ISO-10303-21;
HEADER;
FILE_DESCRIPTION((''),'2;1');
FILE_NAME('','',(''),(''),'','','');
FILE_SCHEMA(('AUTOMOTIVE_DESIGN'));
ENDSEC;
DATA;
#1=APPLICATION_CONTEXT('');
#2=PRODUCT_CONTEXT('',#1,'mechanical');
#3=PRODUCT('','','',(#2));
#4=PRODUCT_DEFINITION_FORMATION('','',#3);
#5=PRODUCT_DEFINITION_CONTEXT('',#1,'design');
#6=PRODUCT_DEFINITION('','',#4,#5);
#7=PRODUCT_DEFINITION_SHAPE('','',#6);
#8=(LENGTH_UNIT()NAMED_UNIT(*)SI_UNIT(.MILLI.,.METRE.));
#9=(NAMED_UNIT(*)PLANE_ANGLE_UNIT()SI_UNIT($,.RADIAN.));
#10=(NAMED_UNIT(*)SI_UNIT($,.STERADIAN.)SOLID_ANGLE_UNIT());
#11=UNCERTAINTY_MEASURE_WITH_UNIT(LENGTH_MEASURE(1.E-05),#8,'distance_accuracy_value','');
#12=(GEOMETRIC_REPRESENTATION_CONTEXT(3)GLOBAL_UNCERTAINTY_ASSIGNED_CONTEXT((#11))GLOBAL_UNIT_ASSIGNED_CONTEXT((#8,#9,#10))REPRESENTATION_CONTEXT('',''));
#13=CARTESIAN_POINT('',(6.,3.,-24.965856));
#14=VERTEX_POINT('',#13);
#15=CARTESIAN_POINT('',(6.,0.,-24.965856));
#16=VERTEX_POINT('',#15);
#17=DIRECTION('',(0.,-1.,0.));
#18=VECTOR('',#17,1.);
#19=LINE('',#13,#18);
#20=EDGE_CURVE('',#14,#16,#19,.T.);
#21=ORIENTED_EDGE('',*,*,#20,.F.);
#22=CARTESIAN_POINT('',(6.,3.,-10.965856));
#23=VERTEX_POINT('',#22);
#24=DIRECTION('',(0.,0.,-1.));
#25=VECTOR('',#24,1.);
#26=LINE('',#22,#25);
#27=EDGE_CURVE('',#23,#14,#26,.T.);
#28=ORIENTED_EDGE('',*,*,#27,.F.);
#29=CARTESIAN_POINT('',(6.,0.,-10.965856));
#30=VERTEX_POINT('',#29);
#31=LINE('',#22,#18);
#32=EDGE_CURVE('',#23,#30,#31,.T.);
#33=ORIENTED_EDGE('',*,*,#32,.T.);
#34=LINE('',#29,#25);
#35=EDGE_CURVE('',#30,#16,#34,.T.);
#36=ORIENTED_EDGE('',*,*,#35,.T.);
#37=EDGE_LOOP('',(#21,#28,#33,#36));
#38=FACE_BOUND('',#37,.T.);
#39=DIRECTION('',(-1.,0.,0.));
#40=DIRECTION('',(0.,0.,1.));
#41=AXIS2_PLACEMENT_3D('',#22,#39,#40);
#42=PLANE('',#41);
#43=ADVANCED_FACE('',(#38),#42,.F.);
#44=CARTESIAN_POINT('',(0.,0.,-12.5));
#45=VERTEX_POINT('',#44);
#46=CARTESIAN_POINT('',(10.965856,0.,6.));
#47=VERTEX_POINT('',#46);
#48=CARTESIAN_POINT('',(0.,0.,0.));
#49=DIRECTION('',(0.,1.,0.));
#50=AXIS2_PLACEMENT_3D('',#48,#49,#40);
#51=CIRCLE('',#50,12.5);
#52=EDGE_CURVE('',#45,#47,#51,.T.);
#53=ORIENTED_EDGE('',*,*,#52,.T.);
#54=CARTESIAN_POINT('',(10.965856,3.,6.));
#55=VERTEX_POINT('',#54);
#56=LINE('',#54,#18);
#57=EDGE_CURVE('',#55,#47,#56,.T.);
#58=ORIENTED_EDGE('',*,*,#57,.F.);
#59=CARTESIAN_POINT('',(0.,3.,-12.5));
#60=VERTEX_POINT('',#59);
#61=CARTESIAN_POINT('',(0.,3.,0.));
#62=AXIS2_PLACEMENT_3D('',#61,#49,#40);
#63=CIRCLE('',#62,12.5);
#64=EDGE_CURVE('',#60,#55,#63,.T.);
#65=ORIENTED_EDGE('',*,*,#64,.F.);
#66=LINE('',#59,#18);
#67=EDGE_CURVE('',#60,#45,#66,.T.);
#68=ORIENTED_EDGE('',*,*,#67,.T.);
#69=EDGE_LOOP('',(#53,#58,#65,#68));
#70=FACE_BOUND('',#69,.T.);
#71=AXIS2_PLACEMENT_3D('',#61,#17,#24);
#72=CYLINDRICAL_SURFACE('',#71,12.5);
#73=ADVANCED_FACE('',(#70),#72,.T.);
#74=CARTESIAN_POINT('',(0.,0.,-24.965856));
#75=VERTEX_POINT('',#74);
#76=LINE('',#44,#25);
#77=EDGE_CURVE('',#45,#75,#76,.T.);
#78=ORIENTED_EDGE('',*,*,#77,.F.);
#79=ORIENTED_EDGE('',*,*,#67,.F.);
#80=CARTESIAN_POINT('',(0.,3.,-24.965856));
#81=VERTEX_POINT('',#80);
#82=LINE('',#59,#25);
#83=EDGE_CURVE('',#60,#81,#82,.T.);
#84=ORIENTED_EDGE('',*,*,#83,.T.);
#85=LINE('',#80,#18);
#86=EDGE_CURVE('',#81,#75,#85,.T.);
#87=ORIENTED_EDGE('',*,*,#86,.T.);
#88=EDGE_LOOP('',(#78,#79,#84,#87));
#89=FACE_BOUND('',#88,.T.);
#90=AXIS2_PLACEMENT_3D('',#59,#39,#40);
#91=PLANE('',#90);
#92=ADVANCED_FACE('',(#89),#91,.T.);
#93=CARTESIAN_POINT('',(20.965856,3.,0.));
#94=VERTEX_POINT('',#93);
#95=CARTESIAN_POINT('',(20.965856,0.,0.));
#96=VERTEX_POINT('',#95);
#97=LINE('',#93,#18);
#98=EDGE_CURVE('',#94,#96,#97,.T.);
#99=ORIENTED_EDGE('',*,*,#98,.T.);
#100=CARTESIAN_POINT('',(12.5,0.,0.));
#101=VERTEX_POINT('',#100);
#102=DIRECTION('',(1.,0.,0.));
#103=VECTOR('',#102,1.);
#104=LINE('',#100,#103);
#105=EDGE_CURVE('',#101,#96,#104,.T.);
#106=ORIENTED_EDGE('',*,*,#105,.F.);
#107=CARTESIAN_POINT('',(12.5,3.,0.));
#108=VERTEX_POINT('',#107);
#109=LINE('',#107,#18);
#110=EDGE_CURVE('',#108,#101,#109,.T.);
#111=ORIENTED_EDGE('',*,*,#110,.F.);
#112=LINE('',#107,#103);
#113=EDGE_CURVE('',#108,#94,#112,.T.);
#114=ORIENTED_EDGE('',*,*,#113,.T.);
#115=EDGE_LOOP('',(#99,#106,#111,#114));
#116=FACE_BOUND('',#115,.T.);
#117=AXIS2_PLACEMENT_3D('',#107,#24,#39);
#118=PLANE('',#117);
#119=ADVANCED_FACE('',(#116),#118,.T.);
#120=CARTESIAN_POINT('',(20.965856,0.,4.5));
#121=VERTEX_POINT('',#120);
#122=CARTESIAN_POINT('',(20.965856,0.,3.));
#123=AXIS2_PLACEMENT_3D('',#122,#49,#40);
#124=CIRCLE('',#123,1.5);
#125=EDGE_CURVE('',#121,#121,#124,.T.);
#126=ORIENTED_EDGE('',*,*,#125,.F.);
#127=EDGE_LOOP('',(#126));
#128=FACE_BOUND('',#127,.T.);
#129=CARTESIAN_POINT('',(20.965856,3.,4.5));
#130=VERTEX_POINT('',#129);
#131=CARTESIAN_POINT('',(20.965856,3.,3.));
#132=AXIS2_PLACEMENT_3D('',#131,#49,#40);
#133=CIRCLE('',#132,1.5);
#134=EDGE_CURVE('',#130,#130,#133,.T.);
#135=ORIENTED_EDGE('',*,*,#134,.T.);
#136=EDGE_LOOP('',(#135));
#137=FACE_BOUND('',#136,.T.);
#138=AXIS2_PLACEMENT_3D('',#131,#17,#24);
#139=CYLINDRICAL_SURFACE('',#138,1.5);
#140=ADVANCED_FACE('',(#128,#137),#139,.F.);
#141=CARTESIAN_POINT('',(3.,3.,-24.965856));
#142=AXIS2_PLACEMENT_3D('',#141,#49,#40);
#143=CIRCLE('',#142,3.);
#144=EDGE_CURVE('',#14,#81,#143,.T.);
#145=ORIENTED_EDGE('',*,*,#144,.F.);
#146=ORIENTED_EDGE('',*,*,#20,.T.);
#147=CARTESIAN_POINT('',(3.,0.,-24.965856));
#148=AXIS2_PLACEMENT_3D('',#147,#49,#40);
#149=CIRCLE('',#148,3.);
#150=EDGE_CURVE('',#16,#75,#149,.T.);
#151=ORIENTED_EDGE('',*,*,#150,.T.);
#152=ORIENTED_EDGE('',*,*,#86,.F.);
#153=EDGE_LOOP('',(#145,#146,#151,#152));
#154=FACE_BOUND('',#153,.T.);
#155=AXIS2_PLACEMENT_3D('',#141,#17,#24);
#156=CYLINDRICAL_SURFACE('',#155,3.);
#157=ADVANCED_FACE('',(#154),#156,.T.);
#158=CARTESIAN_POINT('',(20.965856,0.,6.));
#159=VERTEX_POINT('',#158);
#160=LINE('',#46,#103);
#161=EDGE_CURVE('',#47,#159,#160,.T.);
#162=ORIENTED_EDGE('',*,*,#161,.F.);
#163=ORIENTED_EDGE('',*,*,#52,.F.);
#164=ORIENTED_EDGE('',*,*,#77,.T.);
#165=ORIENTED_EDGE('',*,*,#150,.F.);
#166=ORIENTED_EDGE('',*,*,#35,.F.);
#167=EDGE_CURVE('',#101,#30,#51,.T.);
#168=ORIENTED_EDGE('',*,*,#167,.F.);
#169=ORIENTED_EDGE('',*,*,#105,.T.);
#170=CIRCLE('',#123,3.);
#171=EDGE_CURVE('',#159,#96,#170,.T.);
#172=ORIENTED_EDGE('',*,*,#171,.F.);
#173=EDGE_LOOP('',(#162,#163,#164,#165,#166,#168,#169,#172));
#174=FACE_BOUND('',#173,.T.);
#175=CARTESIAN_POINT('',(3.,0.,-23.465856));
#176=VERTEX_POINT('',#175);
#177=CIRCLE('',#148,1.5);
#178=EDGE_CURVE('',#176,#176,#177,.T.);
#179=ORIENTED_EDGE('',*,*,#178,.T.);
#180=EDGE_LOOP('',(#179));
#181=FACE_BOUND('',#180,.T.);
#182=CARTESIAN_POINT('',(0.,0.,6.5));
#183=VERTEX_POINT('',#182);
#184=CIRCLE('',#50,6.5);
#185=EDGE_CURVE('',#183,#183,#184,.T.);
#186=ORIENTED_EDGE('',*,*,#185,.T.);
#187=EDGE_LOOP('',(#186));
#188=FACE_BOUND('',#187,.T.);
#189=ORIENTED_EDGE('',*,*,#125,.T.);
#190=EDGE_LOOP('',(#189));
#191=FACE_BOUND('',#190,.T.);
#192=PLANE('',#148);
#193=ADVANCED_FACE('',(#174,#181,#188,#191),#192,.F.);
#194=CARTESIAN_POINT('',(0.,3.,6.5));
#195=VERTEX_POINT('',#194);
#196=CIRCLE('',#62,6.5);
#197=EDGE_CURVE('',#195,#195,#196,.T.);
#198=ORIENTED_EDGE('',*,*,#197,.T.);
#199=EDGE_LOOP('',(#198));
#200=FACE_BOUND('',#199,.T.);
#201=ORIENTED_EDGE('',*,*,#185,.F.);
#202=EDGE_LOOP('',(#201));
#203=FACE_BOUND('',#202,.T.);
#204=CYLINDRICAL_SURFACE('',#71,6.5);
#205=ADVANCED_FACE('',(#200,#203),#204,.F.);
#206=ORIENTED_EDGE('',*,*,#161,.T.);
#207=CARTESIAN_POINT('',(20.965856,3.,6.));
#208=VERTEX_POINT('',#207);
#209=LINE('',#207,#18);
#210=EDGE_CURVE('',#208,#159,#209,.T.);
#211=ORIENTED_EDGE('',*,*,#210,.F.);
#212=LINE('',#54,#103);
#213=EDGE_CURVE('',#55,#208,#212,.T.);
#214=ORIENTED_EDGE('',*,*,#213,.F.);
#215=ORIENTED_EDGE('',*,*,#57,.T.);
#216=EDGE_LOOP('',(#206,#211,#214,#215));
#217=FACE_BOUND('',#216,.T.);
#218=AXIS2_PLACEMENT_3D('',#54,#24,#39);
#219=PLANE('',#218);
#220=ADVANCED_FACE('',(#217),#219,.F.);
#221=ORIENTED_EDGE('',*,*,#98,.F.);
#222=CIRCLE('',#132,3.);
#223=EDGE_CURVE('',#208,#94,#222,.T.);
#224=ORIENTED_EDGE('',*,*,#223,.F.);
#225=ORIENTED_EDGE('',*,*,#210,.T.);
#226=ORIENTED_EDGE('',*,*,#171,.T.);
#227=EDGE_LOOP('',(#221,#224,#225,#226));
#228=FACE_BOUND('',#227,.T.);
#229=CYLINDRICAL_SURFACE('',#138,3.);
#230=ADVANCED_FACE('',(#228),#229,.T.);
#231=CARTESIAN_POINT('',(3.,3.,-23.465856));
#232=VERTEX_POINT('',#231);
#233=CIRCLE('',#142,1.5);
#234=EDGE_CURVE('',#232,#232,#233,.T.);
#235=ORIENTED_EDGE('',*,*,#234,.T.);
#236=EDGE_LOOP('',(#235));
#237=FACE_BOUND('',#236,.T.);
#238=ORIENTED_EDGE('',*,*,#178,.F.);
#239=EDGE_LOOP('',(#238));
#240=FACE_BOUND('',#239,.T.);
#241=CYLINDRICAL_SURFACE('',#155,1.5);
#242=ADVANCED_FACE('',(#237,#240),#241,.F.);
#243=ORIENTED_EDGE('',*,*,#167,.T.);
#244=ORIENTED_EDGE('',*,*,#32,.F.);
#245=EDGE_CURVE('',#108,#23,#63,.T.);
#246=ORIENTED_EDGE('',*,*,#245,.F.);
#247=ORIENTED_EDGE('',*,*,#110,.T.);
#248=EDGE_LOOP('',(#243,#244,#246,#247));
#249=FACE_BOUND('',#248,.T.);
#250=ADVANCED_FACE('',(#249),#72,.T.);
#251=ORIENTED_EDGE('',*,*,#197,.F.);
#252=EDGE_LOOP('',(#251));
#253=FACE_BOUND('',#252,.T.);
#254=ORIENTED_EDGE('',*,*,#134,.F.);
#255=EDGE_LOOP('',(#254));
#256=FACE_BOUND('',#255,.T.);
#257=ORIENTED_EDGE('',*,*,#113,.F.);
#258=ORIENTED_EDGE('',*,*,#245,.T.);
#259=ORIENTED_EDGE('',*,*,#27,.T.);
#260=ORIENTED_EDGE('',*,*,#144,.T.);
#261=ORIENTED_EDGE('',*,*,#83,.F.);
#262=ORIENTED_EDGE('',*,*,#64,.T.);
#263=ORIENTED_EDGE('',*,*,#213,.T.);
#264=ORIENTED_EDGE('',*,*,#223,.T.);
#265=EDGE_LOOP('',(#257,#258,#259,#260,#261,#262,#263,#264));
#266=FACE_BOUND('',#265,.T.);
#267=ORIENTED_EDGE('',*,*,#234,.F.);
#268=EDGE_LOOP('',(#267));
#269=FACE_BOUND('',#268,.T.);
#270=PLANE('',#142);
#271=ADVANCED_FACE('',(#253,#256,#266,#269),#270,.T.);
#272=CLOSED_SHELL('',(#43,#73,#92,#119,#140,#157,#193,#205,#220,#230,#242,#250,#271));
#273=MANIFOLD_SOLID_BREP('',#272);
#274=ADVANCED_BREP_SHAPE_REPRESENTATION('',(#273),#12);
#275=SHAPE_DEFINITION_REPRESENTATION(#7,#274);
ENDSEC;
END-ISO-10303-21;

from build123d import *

# Parameters (mm, degrees)
SKETCH1_R           = 6.5
SKETCH1_R_2         = 1.5
BOSS_EXTRUDE1_DEPTH = 3


with BuildPart() as part:
    # Sketch1 → Boss-Extrude1 (new body)
    with BuildSketch(Plane(origin=(0, 0, 0), x_dir=(1, 0, 0), z_dir=(0, 1, 0))):
        with BuildLine():
            Line((0, 12.5), (0, 24.9658561))
            ThreePointArc((0, 24.9658561), (3, 27.9658561), (6, 24.9658561))
            Line((6, 24.9658561), (6, 10.9658561))
            ThreePointArc((6, 10.9658561), (10.752906584, 6.373774392), (12.5, 0))
            Line((12.5, 0), (20.9658561, 0))
            ThreePointArc((20.9658561, 0), (23.9658561, -3), (20.9658561, -6))
            Line((20.9658561, -6), (10.9658561, -6))
            ThreePointArc((10.9658561, -6), (-10.752906584, -6.373774392), (0, 12.5))
        make_face()
        Circle(SKETCH1_R, mode=Mode.SUBTRACT)
        with Locations((3, 24.9658561)):
            Circle(SKETCH1_R_2, mode=Mode.SUBTRACT)
        with Locations((20.9658561, -3)):
            Circle(SKETCH1_R_2, mode=Mode.SUBTRACT)
    extrude(amount=BOSS_EXTRUDE1_DEPTH)


solid = part.part
